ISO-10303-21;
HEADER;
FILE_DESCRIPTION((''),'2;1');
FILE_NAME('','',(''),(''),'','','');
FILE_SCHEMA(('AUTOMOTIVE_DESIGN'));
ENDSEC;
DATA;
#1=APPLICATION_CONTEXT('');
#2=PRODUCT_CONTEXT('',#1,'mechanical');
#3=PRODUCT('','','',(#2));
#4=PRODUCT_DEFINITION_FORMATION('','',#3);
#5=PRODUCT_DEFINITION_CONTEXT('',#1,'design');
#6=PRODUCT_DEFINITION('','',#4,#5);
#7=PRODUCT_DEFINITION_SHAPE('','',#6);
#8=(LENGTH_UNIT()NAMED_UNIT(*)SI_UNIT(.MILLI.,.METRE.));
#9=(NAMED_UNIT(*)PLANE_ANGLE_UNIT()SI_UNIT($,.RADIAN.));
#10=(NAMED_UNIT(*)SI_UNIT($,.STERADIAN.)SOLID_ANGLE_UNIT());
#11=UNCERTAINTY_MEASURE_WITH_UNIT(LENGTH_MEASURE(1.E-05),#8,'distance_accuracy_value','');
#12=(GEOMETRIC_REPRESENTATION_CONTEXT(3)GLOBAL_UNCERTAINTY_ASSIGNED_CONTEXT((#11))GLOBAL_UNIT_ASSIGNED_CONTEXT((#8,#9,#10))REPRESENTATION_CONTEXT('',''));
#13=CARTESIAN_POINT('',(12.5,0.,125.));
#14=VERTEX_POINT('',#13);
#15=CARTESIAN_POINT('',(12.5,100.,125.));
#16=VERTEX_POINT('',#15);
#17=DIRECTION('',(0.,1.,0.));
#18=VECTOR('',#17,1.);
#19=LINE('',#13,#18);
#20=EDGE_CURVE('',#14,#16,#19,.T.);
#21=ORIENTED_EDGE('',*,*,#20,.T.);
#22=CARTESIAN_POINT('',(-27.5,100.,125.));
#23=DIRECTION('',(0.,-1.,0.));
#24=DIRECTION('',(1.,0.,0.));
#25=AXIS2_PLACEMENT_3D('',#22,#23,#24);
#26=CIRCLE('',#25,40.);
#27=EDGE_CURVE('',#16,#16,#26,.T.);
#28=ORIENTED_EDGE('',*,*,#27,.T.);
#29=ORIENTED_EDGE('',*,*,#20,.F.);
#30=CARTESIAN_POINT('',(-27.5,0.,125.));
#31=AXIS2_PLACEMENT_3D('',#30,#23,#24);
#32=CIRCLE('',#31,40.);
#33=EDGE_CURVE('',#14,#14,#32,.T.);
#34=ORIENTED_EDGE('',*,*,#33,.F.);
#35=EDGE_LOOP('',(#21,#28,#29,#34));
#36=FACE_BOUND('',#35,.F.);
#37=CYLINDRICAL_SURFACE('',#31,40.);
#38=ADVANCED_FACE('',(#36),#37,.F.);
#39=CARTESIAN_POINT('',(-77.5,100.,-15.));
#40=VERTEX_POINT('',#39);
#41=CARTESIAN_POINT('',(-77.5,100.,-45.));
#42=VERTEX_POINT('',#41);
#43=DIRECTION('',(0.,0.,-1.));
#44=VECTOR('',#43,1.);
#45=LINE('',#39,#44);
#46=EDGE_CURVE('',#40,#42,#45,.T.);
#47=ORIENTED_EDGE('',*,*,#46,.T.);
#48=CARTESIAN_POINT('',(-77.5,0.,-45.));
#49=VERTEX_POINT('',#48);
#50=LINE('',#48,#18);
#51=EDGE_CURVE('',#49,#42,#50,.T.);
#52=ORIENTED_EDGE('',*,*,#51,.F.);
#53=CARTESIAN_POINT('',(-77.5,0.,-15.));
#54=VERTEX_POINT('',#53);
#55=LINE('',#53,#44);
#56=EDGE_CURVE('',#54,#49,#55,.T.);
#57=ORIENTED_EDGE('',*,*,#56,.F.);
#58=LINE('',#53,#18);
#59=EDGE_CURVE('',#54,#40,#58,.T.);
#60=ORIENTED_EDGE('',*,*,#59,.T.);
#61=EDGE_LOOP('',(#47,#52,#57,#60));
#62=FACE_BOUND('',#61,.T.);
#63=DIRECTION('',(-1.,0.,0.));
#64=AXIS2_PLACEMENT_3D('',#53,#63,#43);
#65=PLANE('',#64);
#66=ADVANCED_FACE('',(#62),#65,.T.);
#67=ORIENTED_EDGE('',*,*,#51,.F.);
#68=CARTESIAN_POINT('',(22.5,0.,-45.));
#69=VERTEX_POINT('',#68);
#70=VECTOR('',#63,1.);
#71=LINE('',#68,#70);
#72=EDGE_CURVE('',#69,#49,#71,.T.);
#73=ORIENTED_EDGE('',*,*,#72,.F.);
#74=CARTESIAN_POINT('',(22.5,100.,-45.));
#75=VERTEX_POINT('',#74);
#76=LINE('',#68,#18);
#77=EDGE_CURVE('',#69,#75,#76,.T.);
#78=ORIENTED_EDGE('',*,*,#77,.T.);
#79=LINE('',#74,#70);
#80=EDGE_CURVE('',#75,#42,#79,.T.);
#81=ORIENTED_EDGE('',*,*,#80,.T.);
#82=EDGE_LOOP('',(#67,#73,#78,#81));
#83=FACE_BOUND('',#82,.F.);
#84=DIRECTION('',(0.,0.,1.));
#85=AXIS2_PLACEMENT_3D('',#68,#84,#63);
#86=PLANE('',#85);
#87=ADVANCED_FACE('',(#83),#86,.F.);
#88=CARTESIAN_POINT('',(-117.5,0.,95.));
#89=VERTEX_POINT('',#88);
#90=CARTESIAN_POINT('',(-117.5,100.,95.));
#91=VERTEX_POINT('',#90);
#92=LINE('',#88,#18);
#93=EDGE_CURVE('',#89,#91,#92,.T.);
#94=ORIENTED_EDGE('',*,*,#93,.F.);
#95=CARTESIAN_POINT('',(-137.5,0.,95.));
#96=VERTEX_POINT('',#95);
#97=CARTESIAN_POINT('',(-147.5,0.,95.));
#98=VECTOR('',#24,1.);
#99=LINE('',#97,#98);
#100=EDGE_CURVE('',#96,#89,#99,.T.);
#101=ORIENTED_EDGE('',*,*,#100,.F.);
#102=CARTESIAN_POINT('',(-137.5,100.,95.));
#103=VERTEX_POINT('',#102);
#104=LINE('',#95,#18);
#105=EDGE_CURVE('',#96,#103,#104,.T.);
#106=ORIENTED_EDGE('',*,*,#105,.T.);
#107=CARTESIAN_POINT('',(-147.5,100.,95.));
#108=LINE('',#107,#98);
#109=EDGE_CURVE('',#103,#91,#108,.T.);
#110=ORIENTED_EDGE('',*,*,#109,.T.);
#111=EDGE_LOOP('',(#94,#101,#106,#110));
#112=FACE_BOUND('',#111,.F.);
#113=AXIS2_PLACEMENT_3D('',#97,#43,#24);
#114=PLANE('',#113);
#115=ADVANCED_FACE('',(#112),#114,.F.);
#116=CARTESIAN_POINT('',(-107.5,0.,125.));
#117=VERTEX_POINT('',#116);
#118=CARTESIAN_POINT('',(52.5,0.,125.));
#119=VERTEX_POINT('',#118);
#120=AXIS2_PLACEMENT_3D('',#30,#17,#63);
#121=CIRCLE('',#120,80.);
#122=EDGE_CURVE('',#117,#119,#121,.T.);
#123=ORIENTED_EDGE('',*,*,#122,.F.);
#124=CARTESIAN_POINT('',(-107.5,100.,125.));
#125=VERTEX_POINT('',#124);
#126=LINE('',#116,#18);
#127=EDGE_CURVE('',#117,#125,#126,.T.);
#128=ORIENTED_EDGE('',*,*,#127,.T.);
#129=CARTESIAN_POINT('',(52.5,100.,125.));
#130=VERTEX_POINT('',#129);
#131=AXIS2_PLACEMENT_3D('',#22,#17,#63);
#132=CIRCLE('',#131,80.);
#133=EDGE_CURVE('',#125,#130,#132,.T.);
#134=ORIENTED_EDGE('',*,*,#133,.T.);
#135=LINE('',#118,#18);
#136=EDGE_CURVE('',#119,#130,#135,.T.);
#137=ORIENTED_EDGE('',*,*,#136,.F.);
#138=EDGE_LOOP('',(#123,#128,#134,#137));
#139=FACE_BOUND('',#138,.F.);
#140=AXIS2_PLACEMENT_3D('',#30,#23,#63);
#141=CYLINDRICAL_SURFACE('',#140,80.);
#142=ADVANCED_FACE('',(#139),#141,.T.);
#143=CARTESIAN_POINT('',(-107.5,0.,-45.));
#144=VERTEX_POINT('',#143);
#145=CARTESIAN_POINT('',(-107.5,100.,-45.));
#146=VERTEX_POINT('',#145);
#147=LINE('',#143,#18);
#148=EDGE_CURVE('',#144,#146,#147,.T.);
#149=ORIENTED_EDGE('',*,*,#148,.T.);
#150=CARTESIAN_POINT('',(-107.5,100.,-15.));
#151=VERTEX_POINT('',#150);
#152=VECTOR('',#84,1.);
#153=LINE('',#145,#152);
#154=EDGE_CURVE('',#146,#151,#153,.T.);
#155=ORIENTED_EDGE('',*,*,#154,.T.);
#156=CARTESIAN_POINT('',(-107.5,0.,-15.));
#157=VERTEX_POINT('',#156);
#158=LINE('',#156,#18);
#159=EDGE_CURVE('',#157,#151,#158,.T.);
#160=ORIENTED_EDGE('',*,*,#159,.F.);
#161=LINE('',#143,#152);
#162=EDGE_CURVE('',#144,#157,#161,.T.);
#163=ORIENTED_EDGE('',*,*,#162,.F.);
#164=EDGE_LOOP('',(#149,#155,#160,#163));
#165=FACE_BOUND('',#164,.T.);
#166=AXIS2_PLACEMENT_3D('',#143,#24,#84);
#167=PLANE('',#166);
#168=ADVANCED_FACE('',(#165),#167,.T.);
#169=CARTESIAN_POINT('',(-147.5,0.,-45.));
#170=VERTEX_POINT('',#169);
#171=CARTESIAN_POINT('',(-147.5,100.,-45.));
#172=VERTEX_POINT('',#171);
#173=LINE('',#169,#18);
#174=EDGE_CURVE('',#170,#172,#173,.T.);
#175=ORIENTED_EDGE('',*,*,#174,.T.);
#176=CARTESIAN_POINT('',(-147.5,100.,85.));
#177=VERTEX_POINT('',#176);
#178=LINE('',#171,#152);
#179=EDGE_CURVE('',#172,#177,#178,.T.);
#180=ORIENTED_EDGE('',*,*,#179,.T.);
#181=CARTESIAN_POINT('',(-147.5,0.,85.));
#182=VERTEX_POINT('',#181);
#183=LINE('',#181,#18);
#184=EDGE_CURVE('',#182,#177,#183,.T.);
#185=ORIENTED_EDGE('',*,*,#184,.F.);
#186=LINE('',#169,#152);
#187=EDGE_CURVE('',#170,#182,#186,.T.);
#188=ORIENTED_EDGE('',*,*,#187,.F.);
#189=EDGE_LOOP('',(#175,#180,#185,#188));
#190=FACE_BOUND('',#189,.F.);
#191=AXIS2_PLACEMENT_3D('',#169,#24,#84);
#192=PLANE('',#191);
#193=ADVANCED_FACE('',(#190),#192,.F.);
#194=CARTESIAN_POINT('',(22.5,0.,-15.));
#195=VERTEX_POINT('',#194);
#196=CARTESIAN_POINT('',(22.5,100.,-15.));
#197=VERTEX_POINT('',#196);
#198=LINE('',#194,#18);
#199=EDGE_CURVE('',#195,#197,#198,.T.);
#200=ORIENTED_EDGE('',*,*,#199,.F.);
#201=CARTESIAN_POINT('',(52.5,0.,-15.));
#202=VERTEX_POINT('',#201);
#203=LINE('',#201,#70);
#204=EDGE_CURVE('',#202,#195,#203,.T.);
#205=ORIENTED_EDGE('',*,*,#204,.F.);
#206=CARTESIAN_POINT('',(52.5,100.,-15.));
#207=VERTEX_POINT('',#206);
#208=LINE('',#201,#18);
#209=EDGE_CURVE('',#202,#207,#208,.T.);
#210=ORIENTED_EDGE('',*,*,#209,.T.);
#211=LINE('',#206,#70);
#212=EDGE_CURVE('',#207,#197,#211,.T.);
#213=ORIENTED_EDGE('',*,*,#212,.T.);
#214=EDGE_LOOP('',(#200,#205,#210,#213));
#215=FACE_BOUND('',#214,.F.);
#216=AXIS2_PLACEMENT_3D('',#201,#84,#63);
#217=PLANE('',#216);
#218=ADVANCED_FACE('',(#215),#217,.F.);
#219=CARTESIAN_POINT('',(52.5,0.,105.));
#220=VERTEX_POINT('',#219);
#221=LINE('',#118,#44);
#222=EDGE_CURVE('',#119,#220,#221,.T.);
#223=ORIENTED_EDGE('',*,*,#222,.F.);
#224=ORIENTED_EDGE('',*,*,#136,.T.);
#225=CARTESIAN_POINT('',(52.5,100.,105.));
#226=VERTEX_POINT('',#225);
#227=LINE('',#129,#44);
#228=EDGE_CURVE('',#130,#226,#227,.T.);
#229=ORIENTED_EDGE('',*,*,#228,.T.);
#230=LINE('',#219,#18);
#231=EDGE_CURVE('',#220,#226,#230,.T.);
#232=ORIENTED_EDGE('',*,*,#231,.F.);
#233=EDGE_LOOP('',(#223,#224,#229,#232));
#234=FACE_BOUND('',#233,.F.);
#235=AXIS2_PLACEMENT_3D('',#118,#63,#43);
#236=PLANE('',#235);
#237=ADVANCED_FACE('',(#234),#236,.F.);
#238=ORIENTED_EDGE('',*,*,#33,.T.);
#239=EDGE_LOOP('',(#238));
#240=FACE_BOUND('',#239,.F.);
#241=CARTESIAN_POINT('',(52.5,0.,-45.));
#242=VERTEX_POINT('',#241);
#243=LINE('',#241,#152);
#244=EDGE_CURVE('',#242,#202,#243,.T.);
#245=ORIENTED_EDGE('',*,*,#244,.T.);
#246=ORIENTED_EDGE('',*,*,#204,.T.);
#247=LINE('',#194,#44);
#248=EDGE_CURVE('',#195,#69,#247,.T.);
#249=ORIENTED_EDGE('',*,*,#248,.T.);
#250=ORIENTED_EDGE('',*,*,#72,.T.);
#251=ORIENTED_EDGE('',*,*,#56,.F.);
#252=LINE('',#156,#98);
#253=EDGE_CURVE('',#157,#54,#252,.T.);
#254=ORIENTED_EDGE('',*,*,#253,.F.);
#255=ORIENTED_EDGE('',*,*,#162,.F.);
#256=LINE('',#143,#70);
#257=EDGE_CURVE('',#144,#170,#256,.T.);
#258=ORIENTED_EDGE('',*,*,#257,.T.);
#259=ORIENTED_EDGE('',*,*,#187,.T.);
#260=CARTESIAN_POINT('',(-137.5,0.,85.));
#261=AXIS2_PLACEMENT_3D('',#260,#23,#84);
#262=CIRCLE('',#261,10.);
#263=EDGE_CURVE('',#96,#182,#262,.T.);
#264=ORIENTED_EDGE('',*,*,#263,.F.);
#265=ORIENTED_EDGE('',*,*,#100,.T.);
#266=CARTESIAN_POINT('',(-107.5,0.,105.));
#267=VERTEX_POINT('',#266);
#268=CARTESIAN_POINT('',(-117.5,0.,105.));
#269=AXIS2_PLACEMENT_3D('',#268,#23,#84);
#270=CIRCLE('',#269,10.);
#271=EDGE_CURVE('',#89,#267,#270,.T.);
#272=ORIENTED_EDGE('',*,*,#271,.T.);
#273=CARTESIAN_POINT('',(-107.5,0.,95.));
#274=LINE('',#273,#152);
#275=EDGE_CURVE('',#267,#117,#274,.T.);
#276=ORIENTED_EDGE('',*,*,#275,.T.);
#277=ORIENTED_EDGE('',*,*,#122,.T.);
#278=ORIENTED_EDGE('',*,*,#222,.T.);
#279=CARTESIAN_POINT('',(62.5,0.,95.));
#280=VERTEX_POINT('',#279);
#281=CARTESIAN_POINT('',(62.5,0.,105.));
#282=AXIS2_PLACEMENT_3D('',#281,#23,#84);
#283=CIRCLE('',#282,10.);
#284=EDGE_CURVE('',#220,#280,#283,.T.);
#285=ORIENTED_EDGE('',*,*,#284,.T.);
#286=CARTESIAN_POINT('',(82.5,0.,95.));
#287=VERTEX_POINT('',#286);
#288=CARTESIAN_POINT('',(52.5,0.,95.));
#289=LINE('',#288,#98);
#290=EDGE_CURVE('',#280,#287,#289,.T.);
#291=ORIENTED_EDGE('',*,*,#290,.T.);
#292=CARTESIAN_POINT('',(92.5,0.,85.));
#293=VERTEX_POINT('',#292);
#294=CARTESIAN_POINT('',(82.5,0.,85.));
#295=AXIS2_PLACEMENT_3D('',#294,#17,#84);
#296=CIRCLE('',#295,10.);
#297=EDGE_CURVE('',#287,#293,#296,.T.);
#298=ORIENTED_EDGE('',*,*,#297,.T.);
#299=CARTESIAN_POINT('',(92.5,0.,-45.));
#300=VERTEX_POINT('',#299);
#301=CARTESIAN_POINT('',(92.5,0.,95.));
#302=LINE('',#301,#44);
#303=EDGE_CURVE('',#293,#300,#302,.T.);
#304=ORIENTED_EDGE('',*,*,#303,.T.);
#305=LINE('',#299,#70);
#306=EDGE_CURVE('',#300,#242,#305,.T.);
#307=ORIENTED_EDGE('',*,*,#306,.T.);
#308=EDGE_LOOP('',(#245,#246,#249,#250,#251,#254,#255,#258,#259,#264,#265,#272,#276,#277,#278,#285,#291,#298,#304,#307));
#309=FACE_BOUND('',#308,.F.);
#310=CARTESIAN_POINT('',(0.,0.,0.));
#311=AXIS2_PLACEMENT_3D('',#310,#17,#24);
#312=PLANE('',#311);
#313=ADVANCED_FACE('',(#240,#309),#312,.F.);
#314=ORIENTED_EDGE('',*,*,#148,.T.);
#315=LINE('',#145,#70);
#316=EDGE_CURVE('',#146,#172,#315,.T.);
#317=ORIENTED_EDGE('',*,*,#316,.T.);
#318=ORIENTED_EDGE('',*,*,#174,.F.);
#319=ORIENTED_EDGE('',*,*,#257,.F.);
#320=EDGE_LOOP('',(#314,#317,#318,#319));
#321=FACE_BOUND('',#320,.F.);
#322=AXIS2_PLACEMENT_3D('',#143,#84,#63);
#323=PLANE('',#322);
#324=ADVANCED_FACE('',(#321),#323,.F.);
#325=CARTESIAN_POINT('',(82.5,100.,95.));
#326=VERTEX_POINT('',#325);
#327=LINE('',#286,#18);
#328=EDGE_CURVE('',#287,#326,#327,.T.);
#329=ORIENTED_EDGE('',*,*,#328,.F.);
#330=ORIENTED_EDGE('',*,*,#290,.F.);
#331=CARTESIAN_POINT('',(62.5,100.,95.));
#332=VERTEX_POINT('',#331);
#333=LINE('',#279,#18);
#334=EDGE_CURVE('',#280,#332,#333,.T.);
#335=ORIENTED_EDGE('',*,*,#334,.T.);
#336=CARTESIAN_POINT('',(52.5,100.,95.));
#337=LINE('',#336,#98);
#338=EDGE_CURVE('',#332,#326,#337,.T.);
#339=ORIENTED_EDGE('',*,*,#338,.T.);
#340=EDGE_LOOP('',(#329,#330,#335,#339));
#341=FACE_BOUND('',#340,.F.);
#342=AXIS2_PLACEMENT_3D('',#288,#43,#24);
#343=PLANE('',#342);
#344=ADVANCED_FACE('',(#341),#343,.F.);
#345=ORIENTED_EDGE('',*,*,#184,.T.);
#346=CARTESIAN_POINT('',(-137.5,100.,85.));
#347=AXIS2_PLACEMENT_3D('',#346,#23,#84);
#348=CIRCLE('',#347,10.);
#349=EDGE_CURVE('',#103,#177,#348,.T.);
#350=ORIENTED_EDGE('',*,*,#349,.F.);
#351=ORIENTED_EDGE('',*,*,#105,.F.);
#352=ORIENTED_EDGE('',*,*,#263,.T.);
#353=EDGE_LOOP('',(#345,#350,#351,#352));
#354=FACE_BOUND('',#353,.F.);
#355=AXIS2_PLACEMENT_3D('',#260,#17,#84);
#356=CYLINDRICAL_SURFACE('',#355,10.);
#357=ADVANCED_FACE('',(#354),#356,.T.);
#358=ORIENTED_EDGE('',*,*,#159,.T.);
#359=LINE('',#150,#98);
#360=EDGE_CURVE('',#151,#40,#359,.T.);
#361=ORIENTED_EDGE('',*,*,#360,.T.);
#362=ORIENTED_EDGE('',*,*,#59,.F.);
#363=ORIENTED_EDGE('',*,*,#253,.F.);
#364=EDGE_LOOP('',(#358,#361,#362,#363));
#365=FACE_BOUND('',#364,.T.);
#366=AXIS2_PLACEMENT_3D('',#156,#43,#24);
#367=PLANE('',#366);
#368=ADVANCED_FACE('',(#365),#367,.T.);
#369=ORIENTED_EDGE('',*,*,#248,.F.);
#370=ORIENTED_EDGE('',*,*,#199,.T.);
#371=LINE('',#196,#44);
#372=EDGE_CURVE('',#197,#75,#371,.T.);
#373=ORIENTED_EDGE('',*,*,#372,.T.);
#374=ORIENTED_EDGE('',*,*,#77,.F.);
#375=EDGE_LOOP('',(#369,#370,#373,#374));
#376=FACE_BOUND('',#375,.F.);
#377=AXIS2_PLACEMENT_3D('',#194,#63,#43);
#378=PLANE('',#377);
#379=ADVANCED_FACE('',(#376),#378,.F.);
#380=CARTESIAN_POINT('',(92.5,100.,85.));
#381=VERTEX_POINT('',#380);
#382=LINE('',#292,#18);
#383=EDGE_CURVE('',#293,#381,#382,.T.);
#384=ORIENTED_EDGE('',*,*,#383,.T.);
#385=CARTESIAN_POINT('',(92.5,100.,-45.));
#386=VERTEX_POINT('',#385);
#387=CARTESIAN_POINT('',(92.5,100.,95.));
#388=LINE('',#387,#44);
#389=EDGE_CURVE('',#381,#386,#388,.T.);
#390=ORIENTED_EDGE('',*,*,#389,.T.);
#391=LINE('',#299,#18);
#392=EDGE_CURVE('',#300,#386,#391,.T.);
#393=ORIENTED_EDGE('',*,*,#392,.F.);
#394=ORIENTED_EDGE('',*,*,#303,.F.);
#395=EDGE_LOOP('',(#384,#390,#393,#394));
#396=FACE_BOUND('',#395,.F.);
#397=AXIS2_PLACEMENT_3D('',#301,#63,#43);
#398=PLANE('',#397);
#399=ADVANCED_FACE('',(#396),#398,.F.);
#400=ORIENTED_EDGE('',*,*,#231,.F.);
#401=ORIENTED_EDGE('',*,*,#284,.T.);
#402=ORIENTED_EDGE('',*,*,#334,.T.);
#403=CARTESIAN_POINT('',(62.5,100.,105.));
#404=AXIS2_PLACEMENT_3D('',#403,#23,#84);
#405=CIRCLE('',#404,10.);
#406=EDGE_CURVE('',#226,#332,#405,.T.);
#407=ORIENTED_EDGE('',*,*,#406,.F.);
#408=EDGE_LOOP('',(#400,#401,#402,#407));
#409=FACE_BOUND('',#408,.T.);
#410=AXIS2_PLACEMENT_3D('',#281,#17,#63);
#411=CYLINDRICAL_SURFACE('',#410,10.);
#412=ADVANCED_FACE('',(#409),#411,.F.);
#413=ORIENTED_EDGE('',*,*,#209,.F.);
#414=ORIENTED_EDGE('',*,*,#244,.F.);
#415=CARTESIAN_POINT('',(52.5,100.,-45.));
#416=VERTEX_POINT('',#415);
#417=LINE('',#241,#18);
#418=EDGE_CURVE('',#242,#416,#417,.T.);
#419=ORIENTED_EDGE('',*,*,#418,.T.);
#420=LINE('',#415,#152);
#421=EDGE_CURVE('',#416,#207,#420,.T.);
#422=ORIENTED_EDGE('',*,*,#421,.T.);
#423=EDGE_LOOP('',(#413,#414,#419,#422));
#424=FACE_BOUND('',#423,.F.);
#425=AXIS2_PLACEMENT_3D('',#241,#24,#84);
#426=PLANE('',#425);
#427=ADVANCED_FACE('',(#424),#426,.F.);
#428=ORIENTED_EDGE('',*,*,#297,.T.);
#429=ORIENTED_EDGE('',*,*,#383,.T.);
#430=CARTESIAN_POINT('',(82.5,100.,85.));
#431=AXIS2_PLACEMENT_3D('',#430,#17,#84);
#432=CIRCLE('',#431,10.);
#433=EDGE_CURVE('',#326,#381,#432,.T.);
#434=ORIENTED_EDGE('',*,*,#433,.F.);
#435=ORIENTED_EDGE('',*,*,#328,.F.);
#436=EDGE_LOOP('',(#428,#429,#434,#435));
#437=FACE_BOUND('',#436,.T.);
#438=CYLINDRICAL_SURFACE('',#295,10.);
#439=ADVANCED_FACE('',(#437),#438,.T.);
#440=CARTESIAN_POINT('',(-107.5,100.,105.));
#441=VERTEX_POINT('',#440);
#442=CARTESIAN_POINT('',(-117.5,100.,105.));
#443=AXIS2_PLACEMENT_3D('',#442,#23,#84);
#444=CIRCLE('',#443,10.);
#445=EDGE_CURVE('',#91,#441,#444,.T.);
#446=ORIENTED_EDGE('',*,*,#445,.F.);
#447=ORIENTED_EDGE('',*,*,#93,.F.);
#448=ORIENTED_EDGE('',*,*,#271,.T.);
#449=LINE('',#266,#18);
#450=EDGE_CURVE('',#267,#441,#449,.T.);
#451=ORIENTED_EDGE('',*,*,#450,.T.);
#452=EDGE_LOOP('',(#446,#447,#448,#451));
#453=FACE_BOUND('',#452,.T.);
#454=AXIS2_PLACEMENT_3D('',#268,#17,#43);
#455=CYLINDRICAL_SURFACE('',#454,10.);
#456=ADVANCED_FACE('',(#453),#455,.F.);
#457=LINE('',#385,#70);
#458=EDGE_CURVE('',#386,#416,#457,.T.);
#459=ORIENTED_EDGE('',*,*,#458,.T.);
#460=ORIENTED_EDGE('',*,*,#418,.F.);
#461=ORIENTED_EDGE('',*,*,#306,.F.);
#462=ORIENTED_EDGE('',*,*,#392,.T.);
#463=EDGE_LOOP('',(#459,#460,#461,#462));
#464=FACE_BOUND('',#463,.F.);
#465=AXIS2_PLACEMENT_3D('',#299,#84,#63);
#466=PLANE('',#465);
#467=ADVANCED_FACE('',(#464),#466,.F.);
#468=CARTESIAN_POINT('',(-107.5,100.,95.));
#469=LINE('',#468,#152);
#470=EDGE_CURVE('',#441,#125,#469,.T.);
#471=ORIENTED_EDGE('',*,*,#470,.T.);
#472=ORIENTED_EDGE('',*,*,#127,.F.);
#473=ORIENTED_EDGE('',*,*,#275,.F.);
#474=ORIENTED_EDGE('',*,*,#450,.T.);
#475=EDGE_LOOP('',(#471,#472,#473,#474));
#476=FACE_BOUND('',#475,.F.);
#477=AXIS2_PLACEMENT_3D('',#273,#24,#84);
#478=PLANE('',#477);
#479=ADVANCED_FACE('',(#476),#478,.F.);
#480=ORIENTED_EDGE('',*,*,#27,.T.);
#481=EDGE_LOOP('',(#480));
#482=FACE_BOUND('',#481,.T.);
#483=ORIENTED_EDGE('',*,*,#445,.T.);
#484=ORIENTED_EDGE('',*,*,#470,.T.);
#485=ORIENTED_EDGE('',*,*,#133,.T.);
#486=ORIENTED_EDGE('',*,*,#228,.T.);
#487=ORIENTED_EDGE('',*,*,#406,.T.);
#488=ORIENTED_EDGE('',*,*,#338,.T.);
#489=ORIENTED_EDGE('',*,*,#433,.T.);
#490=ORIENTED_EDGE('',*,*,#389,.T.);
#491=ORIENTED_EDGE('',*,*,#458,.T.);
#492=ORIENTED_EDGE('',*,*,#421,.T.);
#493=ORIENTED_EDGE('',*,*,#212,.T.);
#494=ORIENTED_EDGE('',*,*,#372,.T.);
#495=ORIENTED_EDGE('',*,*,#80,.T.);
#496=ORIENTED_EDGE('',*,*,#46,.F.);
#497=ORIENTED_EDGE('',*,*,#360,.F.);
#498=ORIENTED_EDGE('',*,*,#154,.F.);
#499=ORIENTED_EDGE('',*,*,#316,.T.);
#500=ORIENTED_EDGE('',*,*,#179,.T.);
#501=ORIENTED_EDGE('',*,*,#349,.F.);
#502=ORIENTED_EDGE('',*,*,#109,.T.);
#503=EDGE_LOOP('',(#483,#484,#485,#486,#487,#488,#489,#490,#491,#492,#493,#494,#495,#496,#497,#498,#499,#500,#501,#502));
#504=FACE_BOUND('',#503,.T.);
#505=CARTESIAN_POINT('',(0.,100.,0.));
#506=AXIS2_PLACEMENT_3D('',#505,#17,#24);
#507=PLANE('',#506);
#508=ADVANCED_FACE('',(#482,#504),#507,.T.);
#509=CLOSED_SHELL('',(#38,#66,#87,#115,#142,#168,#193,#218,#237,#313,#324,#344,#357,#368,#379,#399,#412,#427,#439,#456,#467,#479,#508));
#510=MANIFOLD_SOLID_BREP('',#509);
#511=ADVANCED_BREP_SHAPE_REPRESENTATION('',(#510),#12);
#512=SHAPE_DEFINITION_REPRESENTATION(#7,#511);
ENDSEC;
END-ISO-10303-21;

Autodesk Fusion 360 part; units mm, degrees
sketch "Sketch1" plane through (0, 0, 0) normal (0, 1, 0) x (1, 0, 0)
  line L0 (-147.5, 45) -> (-147.5, -95)
  line L1 (92.5, -95) -> (92.5, 45)
  line L2 (52.5, 45) -> (52.5, 15)
  line L3 (22.5, 15) -> (22.5, 45)
  line L4 (52.5, 15) -> (22.5, 15)
  line L5 (-107.5, 45) -> (-107.5, 15)
  line L6 (-107.5, 15) -> (-77.5, 15)
  line L7 (-77.5, 15) -> (-77.5, 45)
  line L8 (-107.5, 45) -> (-147.5, 45)
  line L9 (92.5, 45) -> (52.5, 45)
  line L10 (22.5, 45) -> (-77.5, 45)
  line L11 (-107.5, -95) -> (-107.5, -125)
  line L12 (52.5, -125) -> (52.5, -95)
  line L13 (-147.5, -95) -> (-107.5, -95)
  line L14 (52.5, -95) -> (92.5, -95)
  arc A0 (-107.5, -125) -> (52.5, -125) centre (-27.5, -125) ccw
  dimension "d1" = 40
  dimension "d2" = 30
  dimension "d3" = 40
  dimension "d4" = 30
  dimension "d5" = 100
  dimension "d6" = 30
  dimension "d7" = 30
  dimension "d8" = 120
  dimension "d9" = 140
  dimension "d10" = 40
  dimension "d11" = 170
extrude "Extrude1" add sketch "Sketch1" along normal blind 100
sketch "Sketch2" plane through (0, 0, 0) normal (0, -1, 0) x (1, 0, 0)
  line L0 (-147.5, -45) -> (-107.5, -45)
  line L1 (-107.5, -45) -> (-107.5, -15)
  line L2 (-107.5, -15) -> (-77.5, -15)
  line L3 (-77.5, -15) -> (-77.5, -45)
  line L4 (-77.5, -45) -> (22.5, -45)
  line L5 (22.5, -45) -> (22.5, -15)
  line L6 (22.5, -15) -> (52.5, -15)
  line L7 (52.5, -15) -> (52.5, -45)
  line L8 (52.5, -45) -> (92.5, -45)
  line L9 (92.5, -45) -> (92.5, 95)
  line L10 (92.5, 95) -> (52.5, 95)
  line L11 (52.5, 95) -> (52.5, 125)
  arc A0 (52.5, 125) -> (-107.5, 125) centre (-27.5, 125) ccw
  line L12 (-107.5, 125) -> (-107.5, 95)
  line L13 (-107.5, 95) -> (-147.5, 95)
  line L14 (-147.5, 95) -> (-147.5, -45)
  circle A1 centre (-27.5, 125) radius 40
  dimension "d14" = 80
extrude "Extrude2" cut sketch "Sketch2" against normal blind 100 contours A1
fillet "Fillet1" radius 10 2 edges at (52.5, 50, 95) (-107.5, 50, 95)
fillet "Fillet2" radius 10 2 edges at (92.5, 50, 95) (-147.5, 50, 95)
